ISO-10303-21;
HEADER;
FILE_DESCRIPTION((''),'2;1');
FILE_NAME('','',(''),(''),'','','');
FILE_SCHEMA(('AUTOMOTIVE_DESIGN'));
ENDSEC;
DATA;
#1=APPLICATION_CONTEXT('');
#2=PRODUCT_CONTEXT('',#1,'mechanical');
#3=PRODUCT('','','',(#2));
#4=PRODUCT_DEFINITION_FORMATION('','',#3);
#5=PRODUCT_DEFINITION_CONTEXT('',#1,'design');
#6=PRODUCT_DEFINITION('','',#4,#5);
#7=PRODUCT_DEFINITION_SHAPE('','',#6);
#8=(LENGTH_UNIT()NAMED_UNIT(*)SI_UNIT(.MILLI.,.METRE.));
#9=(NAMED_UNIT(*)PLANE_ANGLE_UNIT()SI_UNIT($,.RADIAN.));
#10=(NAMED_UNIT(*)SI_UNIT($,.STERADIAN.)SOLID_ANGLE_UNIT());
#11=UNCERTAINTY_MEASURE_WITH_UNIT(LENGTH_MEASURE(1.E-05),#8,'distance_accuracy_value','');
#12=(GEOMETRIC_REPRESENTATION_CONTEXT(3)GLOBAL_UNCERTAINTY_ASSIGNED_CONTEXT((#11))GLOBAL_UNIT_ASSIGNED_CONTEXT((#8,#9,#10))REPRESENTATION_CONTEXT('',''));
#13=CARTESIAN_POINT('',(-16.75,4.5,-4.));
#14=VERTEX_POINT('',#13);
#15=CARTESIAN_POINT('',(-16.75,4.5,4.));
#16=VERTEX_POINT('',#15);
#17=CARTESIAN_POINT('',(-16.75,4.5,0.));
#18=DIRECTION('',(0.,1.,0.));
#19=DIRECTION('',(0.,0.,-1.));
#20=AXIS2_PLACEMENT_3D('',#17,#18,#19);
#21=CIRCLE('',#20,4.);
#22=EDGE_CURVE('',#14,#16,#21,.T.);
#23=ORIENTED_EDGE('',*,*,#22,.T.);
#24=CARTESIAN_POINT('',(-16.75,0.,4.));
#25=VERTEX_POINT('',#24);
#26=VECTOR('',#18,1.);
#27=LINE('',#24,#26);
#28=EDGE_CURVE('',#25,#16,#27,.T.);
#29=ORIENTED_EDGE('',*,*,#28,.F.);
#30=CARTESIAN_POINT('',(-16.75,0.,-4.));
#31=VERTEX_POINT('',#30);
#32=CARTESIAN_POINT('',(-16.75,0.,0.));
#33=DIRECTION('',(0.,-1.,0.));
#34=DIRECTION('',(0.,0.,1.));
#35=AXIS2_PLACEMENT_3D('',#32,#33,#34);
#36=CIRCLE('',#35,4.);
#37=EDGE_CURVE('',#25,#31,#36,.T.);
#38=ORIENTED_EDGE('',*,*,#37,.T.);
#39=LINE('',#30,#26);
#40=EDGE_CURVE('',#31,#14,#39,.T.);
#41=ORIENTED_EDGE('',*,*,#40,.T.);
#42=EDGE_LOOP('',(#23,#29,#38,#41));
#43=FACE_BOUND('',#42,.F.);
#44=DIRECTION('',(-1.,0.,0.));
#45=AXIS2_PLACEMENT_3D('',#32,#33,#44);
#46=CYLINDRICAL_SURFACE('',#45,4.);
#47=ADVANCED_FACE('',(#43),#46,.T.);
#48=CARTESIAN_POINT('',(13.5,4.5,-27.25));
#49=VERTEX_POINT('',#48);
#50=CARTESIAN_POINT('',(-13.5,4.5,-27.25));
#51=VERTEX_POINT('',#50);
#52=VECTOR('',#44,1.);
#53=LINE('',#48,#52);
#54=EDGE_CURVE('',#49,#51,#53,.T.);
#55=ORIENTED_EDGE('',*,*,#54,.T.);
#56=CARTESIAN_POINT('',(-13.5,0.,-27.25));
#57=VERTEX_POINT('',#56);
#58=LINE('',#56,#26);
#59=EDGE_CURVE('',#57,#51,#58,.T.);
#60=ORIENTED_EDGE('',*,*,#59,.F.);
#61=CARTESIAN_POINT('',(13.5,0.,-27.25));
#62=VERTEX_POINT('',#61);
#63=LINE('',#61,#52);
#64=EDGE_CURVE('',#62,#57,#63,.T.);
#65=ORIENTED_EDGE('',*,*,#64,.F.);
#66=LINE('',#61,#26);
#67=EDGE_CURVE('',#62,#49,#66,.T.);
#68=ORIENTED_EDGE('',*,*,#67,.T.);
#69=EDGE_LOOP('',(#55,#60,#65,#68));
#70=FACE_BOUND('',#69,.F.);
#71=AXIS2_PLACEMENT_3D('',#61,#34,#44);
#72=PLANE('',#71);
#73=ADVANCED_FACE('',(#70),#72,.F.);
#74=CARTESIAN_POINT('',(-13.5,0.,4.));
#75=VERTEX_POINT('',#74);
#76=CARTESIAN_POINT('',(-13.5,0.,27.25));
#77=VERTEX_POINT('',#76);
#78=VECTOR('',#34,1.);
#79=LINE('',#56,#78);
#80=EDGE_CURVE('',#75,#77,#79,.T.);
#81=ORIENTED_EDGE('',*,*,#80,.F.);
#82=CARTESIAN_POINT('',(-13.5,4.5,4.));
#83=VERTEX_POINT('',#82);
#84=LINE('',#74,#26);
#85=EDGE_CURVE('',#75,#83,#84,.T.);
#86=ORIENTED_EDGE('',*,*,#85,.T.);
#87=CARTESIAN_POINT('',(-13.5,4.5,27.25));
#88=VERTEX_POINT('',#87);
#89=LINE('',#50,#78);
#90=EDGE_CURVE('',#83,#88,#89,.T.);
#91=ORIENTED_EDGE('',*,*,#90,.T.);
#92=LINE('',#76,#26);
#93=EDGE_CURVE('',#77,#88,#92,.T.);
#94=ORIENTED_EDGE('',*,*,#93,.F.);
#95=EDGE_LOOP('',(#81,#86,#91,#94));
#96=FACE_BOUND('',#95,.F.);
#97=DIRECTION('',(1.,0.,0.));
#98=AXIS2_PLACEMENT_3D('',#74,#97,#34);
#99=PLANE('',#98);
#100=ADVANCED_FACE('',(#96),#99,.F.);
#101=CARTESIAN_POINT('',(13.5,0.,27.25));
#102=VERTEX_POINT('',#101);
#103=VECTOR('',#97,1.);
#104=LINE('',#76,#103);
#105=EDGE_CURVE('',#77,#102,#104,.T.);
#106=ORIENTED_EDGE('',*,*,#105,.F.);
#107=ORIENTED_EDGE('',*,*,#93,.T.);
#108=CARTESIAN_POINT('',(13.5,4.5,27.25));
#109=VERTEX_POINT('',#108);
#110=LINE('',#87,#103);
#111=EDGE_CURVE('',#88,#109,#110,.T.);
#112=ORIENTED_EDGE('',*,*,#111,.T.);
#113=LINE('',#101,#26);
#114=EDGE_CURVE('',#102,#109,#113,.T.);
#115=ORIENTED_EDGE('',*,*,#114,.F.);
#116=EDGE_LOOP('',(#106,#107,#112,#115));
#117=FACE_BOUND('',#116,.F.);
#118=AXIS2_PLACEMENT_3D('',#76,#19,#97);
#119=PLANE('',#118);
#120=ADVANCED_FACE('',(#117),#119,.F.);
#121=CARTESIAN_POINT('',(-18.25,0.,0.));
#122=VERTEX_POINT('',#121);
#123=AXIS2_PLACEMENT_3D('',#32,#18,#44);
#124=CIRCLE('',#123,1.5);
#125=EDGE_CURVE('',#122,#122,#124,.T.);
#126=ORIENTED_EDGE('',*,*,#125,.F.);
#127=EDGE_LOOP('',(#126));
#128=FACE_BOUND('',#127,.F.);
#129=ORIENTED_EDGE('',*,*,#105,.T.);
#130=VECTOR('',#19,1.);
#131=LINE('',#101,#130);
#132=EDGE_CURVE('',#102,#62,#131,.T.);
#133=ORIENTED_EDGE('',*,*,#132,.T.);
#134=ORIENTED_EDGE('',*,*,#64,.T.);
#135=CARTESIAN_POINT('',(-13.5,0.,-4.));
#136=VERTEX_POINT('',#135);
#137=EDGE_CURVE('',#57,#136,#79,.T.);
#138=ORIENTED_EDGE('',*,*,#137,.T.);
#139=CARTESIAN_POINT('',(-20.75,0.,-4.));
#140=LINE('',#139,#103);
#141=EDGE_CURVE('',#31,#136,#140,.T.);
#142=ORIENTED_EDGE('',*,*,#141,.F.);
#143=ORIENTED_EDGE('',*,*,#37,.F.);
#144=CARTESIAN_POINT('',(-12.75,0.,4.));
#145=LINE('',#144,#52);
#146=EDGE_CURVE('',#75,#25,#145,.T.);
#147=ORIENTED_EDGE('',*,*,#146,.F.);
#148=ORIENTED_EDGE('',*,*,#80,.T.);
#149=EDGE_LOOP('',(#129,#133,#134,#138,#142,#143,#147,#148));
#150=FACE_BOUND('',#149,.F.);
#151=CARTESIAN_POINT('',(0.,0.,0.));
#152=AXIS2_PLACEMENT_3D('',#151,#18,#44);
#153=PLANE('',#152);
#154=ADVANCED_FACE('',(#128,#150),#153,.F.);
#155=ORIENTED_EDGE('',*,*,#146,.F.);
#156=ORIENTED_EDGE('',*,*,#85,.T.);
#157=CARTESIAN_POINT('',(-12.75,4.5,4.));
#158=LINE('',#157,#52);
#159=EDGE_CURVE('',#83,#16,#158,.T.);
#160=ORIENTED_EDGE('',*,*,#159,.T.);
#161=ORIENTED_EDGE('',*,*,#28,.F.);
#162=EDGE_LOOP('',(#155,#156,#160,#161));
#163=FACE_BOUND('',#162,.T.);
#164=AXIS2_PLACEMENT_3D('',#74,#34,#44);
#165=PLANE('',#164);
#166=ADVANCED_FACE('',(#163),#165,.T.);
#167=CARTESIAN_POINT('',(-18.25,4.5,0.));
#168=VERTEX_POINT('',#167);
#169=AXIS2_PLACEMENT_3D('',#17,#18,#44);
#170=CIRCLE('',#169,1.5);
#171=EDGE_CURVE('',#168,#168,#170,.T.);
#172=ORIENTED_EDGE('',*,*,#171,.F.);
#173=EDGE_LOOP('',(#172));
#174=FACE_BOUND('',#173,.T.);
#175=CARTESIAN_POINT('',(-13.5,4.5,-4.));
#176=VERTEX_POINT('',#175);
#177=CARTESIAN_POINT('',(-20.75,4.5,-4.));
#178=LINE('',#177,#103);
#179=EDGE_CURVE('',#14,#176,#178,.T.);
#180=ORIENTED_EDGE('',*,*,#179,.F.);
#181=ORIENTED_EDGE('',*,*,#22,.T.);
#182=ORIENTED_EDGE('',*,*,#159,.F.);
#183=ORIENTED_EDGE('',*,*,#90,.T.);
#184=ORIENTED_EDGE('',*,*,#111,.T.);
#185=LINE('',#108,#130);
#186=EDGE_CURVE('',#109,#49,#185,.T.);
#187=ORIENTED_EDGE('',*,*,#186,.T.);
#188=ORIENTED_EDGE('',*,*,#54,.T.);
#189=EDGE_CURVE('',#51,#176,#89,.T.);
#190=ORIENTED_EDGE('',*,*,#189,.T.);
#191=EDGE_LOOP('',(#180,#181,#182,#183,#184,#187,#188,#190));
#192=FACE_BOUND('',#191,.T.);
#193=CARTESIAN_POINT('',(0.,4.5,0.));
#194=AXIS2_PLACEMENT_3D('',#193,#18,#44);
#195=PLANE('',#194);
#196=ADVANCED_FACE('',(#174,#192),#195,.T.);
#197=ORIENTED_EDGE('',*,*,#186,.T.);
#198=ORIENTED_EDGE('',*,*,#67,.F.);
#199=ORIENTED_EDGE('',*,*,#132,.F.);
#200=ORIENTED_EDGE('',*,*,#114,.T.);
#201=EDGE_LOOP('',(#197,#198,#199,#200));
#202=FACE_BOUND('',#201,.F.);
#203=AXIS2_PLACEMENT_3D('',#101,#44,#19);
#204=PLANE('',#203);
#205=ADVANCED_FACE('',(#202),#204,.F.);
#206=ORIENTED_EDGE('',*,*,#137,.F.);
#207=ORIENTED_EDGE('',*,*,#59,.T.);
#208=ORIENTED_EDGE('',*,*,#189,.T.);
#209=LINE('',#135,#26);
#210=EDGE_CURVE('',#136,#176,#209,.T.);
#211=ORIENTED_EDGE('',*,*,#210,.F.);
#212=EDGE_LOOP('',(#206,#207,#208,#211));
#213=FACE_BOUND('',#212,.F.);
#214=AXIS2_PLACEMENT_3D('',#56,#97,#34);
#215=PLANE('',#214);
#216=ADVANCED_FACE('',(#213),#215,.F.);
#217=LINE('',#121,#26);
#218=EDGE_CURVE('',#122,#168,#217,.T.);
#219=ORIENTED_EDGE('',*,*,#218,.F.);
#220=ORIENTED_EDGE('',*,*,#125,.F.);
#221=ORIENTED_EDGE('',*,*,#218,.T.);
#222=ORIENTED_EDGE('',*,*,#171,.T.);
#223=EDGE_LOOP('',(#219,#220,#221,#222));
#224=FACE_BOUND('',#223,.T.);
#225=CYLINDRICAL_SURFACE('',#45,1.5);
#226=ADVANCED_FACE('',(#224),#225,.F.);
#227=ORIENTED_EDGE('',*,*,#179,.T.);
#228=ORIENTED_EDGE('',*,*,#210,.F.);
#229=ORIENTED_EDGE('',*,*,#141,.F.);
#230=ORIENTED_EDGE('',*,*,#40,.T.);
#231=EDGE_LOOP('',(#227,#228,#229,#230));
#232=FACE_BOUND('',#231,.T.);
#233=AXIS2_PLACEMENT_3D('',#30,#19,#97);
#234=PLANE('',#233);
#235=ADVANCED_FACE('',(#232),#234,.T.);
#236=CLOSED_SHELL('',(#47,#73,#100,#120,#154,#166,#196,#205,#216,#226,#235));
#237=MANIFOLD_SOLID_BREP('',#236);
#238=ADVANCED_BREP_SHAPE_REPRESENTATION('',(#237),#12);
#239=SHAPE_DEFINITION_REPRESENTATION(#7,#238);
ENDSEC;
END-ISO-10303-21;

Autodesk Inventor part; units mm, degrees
ref_plane "YZ Plane" through (0, 0, 0) normal (1, 0, 0) x (0, 1, 0)
ref_plane "XZ Plane" through (0, 0, 0) normal (0, 1, 0) x (-1, 0, 0)
ref_plane "XY Plane" through (0, 0, 0) normal (0, 0, 1) x (1, 0, 0)
sketch "Sketch1" plane through (0, 0, 0) normal (0, 1, 0) x (-1, 0, 0)
  line L0 (13.5, 27.25) -> (-13.5, 27.25)
  line L1 (-13.5, 27.25) -> (-13.5, -27.25)
  line L2 (-13.5, -27.25) -> (13.5, -27.25)
  line L3 (13.5, -27.25) -> (13.5, 27.25)
  line L4 (13.5, 27.25) -> (-13.5, -27.25) construction
  line L5 (-13.5, 27.25) -> (13.5, -27.25) construction
  circle A0 centre (16.75, 0) radius 1.5
  circle A1 centre (16.75, 0) radius 4
  line L6 (20.75, -4) -> (12.75, -4)
  line L7 (12.75, -4) -> (12.75, 4)
  line L8 (12.75, 4) -> (20.75, 4)
  line L9 (20.75, 4) -> (20.75, -4)
  line L10 (20.75, -4) -> (12.75, 4) construction
  line L11 (12.75, -4) -> (20.75, 4) construction
  point P0 (0, 0)
  point P1 (16.75, -4)
  point P2 (16.75, 4)
  point P3 (13.5, 4)
  point P4 (13.5, -4)
  dimension "d0" = 54.5
  dimension "d1" = 27
  dimension "d3" = 3
  dimension "d4" = 8
  dimension "d7" = 3.25
extrude "Extrusion1" add sketch "Sketch1" along normal blind 4.5 contours L3 L8 L7 L6 L2 L1 L0 | L8 A1 L3 | L3 A1 L7 L8 | A1 L3 | L3 A1 | A1 L6 L3 | L3 L6 L7 A1
properties part number "Ortak_bat_lid"
